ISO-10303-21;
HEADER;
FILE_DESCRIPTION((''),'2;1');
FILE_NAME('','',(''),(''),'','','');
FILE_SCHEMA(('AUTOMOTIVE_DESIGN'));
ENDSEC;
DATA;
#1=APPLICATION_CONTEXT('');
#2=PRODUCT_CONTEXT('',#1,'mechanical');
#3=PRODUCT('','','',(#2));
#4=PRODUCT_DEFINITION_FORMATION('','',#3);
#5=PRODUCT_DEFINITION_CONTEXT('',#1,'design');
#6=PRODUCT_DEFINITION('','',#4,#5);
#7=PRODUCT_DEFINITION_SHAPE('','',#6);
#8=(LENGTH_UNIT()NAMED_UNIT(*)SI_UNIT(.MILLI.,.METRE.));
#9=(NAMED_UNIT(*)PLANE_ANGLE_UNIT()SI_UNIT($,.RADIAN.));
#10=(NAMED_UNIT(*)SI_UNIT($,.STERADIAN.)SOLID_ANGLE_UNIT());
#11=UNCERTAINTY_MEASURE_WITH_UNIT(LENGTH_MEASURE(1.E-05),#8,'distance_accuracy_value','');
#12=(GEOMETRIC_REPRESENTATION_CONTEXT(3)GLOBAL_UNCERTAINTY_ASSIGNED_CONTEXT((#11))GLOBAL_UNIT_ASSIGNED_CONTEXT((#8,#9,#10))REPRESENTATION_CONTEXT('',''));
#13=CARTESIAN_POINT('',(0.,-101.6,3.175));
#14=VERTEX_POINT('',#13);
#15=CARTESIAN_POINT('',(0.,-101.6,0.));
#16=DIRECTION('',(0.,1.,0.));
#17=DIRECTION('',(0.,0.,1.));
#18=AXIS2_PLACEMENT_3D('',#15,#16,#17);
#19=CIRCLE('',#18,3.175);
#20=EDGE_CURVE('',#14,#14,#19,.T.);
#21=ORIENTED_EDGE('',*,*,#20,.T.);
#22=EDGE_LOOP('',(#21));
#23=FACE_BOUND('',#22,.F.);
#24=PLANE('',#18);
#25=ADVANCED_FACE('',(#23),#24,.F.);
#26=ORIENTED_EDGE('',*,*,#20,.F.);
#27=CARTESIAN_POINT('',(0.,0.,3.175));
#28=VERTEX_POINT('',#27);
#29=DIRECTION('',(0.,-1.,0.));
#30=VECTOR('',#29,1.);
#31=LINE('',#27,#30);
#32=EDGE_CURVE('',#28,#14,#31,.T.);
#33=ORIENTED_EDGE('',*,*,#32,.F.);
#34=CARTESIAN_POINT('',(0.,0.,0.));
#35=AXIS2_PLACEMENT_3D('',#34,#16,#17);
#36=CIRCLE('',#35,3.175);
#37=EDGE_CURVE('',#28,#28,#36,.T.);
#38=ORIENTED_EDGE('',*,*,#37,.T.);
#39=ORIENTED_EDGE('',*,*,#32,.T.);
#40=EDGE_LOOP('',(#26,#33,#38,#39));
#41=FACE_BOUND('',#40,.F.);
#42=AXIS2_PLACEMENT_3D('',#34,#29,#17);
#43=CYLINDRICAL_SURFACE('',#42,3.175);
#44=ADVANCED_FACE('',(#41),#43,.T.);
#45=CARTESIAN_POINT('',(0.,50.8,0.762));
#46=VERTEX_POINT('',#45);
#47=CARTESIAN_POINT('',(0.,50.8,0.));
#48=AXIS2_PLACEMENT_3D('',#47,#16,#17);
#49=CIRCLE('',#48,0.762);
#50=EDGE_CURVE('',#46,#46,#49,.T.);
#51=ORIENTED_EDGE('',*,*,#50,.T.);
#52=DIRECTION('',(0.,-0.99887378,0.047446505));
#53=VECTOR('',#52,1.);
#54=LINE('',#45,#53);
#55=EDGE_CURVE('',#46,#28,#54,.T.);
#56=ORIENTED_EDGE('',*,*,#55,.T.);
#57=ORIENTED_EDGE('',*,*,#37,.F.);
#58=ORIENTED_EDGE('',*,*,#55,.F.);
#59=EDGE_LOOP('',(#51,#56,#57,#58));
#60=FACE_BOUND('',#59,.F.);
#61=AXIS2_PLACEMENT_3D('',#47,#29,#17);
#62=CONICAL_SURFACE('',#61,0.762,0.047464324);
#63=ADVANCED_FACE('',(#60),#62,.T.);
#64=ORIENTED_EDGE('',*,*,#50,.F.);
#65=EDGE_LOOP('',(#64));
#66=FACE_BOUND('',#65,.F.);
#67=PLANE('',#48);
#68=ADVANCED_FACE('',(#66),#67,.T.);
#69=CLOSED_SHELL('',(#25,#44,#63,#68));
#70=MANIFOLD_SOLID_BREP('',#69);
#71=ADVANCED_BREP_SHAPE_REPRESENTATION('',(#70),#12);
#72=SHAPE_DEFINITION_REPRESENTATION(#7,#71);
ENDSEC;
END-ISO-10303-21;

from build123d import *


with BuildPart() as f1:
    # F0 (on Right) → F1 (revolve)
    with BuildSketch(Plane.YZ):
        Polygon((-101.6, 0), (50.8, 0), (50.8, 0.762), (0, 3.175), (-101.6, 3.175), align=None)
    revolve(axis=Axis((0, 5.78963, 0), (0, 1, 0)))


solid = f1.part
